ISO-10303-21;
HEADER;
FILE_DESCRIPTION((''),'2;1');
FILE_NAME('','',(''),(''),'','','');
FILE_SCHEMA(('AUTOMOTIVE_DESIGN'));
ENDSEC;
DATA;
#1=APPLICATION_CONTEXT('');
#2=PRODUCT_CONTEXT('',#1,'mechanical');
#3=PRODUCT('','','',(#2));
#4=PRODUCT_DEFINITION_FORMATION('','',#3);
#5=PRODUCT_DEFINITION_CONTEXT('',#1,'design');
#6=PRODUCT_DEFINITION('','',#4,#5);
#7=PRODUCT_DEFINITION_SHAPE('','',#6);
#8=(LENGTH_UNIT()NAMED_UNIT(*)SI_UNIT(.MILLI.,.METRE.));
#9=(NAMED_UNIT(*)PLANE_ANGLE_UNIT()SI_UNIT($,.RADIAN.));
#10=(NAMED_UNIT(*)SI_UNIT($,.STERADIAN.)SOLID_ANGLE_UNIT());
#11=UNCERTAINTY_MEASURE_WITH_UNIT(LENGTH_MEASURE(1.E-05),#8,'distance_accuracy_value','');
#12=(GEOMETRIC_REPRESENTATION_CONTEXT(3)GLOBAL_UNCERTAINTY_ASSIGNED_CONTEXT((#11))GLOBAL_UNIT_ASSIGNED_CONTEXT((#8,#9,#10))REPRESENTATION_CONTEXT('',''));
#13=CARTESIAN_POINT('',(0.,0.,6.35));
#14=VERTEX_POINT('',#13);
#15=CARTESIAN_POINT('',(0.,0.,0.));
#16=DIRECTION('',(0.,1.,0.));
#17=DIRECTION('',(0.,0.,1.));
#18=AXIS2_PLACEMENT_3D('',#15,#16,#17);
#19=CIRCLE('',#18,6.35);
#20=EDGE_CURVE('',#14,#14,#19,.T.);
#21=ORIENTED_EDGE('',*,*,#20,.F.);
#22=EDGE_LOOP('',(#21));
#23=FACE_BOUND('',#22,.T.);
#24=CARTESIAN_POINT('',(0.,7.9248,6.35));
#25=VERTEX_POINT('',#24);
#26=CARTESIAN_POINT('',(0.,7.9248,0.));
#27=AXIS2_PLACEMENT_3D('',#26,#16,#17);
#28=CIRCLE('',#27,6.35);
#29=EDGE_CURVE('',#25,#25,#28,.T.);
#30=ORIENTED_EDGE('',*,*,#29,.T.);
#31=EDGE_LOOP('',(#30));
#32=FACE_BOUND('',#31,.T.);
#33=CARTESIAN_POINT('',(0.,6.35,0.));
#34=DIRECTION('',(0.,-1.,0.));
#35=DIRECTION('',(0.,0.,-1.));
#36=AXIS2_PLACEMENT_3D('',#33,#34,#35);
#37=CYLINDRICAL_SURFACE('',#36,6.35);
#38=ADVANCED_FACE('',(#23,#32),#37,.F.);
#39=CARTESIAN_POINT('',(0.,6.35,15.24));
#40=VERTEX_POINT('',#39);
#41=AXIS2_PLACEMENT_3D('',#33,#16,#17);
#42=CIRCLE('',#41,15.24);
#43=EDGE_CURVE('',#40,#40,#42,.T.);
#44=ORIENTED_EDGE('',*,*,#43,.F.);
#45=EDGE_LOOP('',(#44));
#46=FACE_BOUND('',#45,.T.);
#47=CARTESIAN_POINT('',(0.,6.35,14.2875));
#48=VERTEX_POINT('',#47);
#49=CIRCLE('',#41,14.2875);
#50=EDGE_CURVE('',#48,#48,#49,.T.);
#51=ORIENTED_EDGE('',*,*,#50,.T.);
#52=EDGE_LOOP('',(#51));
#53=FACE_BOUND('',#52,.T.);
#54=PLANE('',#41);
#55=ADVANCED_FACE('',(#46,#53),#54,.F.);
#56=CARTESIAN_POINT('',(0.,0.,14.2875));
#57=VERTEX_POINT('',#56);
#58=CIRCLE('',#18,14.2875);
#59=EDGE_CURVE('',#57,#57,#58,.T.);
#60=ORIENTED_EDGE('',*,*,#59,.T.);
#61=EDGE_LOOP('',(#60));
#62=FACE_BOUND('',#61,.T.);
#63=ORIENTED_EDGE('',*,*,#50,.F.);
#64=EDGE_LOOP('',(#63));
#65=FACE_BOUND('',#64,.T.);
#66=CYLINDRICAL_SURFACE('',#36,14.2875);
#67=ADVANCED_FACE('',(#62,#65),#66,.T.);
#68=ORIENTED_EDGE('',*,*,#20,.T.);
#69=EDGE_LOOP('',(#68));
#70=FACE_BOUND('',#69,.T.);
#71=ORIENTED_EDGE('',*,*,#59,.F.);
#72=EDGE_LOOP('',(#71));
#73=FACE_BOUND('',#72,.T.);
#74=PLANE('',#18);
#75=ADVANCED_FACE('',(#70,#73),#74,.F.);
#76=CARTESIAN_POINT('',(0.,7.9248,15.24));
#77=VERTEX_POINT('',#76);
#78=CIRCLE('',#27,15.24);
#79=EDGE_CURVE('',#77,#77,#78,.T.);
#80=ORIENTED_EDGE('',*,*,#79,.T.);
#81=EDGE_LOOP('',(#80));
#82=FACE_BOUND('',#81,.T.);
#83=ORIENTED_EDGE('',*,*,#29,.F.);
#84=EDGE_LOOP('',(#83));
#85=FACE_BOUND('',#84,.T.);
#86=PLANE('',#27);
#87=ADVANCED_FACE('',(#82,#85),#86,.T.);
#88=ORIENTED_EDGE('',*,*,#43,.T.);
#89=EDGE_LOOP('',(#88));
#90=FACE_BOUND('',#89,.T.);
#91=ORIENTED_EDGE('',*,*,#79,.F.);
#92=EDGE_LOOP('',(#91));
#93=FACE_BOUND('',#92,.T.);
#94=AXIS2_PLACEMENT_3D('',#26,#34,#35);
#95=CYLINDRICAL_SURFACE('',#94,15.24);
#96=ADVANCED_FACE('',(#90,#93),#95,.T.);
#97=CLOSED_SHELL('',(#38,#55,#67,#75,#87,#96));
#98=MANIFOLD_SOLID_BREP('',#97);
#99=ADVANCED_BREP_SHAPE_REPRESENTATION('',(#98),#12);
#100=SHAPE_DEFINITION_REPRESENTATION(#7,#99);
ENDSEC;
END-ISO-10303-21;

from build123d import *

# Parameters (mm, degrees)
SKETCH1_R           = 14.2875
SKETCH1_R_2         = 6.35
BOSS_EXTRUDE1_DEPTH = 6.35
SKETCH2_R           = 15.24
SKETCH2_R_2         = 6.35
BOSS_EXTRUDE2_DEPTH = 1.5748


with BuildPart() as part:
    # Sketch1 → Boss-Extrude1 (new body)
    with BuildSketch(Plane(origin=(0, 0, 0), x_dir=(1, 0, 0), z_dir=(0, 1, 0))):
        with Locations(Location((0, 0, 0), (0, 0, 270))):
            Circle(SKETCH1_R)
        with Locations(Location((0, 0, 0), (0, 0, 270))):
            Circle(SKETCH1_R_2, mode=Mode.SUBTRACT)
    extrude(amount=BOSS_EXTRUDE1_DEPTH)

    # Sketch2 → Boss-Extrude2 (add)
    with BuildSketch(Plane(origin=(0, 6.35, 0), x_dir=(1, 0, 0), z_dir=(0, 1, 0))):
        with Locations(Location((0, 0, 0), (0, 0, 270))):
            Circle(SKETCH2_R)
        with Locations(Location((0, 0, 0), (0, 0, 270))):
            Circle(SKETCH2_R_2, mode=Mode.SUBTRACT)
    extrude(amount=BOSS_EXTRUDE2_DEPTH)


solid = part.part
